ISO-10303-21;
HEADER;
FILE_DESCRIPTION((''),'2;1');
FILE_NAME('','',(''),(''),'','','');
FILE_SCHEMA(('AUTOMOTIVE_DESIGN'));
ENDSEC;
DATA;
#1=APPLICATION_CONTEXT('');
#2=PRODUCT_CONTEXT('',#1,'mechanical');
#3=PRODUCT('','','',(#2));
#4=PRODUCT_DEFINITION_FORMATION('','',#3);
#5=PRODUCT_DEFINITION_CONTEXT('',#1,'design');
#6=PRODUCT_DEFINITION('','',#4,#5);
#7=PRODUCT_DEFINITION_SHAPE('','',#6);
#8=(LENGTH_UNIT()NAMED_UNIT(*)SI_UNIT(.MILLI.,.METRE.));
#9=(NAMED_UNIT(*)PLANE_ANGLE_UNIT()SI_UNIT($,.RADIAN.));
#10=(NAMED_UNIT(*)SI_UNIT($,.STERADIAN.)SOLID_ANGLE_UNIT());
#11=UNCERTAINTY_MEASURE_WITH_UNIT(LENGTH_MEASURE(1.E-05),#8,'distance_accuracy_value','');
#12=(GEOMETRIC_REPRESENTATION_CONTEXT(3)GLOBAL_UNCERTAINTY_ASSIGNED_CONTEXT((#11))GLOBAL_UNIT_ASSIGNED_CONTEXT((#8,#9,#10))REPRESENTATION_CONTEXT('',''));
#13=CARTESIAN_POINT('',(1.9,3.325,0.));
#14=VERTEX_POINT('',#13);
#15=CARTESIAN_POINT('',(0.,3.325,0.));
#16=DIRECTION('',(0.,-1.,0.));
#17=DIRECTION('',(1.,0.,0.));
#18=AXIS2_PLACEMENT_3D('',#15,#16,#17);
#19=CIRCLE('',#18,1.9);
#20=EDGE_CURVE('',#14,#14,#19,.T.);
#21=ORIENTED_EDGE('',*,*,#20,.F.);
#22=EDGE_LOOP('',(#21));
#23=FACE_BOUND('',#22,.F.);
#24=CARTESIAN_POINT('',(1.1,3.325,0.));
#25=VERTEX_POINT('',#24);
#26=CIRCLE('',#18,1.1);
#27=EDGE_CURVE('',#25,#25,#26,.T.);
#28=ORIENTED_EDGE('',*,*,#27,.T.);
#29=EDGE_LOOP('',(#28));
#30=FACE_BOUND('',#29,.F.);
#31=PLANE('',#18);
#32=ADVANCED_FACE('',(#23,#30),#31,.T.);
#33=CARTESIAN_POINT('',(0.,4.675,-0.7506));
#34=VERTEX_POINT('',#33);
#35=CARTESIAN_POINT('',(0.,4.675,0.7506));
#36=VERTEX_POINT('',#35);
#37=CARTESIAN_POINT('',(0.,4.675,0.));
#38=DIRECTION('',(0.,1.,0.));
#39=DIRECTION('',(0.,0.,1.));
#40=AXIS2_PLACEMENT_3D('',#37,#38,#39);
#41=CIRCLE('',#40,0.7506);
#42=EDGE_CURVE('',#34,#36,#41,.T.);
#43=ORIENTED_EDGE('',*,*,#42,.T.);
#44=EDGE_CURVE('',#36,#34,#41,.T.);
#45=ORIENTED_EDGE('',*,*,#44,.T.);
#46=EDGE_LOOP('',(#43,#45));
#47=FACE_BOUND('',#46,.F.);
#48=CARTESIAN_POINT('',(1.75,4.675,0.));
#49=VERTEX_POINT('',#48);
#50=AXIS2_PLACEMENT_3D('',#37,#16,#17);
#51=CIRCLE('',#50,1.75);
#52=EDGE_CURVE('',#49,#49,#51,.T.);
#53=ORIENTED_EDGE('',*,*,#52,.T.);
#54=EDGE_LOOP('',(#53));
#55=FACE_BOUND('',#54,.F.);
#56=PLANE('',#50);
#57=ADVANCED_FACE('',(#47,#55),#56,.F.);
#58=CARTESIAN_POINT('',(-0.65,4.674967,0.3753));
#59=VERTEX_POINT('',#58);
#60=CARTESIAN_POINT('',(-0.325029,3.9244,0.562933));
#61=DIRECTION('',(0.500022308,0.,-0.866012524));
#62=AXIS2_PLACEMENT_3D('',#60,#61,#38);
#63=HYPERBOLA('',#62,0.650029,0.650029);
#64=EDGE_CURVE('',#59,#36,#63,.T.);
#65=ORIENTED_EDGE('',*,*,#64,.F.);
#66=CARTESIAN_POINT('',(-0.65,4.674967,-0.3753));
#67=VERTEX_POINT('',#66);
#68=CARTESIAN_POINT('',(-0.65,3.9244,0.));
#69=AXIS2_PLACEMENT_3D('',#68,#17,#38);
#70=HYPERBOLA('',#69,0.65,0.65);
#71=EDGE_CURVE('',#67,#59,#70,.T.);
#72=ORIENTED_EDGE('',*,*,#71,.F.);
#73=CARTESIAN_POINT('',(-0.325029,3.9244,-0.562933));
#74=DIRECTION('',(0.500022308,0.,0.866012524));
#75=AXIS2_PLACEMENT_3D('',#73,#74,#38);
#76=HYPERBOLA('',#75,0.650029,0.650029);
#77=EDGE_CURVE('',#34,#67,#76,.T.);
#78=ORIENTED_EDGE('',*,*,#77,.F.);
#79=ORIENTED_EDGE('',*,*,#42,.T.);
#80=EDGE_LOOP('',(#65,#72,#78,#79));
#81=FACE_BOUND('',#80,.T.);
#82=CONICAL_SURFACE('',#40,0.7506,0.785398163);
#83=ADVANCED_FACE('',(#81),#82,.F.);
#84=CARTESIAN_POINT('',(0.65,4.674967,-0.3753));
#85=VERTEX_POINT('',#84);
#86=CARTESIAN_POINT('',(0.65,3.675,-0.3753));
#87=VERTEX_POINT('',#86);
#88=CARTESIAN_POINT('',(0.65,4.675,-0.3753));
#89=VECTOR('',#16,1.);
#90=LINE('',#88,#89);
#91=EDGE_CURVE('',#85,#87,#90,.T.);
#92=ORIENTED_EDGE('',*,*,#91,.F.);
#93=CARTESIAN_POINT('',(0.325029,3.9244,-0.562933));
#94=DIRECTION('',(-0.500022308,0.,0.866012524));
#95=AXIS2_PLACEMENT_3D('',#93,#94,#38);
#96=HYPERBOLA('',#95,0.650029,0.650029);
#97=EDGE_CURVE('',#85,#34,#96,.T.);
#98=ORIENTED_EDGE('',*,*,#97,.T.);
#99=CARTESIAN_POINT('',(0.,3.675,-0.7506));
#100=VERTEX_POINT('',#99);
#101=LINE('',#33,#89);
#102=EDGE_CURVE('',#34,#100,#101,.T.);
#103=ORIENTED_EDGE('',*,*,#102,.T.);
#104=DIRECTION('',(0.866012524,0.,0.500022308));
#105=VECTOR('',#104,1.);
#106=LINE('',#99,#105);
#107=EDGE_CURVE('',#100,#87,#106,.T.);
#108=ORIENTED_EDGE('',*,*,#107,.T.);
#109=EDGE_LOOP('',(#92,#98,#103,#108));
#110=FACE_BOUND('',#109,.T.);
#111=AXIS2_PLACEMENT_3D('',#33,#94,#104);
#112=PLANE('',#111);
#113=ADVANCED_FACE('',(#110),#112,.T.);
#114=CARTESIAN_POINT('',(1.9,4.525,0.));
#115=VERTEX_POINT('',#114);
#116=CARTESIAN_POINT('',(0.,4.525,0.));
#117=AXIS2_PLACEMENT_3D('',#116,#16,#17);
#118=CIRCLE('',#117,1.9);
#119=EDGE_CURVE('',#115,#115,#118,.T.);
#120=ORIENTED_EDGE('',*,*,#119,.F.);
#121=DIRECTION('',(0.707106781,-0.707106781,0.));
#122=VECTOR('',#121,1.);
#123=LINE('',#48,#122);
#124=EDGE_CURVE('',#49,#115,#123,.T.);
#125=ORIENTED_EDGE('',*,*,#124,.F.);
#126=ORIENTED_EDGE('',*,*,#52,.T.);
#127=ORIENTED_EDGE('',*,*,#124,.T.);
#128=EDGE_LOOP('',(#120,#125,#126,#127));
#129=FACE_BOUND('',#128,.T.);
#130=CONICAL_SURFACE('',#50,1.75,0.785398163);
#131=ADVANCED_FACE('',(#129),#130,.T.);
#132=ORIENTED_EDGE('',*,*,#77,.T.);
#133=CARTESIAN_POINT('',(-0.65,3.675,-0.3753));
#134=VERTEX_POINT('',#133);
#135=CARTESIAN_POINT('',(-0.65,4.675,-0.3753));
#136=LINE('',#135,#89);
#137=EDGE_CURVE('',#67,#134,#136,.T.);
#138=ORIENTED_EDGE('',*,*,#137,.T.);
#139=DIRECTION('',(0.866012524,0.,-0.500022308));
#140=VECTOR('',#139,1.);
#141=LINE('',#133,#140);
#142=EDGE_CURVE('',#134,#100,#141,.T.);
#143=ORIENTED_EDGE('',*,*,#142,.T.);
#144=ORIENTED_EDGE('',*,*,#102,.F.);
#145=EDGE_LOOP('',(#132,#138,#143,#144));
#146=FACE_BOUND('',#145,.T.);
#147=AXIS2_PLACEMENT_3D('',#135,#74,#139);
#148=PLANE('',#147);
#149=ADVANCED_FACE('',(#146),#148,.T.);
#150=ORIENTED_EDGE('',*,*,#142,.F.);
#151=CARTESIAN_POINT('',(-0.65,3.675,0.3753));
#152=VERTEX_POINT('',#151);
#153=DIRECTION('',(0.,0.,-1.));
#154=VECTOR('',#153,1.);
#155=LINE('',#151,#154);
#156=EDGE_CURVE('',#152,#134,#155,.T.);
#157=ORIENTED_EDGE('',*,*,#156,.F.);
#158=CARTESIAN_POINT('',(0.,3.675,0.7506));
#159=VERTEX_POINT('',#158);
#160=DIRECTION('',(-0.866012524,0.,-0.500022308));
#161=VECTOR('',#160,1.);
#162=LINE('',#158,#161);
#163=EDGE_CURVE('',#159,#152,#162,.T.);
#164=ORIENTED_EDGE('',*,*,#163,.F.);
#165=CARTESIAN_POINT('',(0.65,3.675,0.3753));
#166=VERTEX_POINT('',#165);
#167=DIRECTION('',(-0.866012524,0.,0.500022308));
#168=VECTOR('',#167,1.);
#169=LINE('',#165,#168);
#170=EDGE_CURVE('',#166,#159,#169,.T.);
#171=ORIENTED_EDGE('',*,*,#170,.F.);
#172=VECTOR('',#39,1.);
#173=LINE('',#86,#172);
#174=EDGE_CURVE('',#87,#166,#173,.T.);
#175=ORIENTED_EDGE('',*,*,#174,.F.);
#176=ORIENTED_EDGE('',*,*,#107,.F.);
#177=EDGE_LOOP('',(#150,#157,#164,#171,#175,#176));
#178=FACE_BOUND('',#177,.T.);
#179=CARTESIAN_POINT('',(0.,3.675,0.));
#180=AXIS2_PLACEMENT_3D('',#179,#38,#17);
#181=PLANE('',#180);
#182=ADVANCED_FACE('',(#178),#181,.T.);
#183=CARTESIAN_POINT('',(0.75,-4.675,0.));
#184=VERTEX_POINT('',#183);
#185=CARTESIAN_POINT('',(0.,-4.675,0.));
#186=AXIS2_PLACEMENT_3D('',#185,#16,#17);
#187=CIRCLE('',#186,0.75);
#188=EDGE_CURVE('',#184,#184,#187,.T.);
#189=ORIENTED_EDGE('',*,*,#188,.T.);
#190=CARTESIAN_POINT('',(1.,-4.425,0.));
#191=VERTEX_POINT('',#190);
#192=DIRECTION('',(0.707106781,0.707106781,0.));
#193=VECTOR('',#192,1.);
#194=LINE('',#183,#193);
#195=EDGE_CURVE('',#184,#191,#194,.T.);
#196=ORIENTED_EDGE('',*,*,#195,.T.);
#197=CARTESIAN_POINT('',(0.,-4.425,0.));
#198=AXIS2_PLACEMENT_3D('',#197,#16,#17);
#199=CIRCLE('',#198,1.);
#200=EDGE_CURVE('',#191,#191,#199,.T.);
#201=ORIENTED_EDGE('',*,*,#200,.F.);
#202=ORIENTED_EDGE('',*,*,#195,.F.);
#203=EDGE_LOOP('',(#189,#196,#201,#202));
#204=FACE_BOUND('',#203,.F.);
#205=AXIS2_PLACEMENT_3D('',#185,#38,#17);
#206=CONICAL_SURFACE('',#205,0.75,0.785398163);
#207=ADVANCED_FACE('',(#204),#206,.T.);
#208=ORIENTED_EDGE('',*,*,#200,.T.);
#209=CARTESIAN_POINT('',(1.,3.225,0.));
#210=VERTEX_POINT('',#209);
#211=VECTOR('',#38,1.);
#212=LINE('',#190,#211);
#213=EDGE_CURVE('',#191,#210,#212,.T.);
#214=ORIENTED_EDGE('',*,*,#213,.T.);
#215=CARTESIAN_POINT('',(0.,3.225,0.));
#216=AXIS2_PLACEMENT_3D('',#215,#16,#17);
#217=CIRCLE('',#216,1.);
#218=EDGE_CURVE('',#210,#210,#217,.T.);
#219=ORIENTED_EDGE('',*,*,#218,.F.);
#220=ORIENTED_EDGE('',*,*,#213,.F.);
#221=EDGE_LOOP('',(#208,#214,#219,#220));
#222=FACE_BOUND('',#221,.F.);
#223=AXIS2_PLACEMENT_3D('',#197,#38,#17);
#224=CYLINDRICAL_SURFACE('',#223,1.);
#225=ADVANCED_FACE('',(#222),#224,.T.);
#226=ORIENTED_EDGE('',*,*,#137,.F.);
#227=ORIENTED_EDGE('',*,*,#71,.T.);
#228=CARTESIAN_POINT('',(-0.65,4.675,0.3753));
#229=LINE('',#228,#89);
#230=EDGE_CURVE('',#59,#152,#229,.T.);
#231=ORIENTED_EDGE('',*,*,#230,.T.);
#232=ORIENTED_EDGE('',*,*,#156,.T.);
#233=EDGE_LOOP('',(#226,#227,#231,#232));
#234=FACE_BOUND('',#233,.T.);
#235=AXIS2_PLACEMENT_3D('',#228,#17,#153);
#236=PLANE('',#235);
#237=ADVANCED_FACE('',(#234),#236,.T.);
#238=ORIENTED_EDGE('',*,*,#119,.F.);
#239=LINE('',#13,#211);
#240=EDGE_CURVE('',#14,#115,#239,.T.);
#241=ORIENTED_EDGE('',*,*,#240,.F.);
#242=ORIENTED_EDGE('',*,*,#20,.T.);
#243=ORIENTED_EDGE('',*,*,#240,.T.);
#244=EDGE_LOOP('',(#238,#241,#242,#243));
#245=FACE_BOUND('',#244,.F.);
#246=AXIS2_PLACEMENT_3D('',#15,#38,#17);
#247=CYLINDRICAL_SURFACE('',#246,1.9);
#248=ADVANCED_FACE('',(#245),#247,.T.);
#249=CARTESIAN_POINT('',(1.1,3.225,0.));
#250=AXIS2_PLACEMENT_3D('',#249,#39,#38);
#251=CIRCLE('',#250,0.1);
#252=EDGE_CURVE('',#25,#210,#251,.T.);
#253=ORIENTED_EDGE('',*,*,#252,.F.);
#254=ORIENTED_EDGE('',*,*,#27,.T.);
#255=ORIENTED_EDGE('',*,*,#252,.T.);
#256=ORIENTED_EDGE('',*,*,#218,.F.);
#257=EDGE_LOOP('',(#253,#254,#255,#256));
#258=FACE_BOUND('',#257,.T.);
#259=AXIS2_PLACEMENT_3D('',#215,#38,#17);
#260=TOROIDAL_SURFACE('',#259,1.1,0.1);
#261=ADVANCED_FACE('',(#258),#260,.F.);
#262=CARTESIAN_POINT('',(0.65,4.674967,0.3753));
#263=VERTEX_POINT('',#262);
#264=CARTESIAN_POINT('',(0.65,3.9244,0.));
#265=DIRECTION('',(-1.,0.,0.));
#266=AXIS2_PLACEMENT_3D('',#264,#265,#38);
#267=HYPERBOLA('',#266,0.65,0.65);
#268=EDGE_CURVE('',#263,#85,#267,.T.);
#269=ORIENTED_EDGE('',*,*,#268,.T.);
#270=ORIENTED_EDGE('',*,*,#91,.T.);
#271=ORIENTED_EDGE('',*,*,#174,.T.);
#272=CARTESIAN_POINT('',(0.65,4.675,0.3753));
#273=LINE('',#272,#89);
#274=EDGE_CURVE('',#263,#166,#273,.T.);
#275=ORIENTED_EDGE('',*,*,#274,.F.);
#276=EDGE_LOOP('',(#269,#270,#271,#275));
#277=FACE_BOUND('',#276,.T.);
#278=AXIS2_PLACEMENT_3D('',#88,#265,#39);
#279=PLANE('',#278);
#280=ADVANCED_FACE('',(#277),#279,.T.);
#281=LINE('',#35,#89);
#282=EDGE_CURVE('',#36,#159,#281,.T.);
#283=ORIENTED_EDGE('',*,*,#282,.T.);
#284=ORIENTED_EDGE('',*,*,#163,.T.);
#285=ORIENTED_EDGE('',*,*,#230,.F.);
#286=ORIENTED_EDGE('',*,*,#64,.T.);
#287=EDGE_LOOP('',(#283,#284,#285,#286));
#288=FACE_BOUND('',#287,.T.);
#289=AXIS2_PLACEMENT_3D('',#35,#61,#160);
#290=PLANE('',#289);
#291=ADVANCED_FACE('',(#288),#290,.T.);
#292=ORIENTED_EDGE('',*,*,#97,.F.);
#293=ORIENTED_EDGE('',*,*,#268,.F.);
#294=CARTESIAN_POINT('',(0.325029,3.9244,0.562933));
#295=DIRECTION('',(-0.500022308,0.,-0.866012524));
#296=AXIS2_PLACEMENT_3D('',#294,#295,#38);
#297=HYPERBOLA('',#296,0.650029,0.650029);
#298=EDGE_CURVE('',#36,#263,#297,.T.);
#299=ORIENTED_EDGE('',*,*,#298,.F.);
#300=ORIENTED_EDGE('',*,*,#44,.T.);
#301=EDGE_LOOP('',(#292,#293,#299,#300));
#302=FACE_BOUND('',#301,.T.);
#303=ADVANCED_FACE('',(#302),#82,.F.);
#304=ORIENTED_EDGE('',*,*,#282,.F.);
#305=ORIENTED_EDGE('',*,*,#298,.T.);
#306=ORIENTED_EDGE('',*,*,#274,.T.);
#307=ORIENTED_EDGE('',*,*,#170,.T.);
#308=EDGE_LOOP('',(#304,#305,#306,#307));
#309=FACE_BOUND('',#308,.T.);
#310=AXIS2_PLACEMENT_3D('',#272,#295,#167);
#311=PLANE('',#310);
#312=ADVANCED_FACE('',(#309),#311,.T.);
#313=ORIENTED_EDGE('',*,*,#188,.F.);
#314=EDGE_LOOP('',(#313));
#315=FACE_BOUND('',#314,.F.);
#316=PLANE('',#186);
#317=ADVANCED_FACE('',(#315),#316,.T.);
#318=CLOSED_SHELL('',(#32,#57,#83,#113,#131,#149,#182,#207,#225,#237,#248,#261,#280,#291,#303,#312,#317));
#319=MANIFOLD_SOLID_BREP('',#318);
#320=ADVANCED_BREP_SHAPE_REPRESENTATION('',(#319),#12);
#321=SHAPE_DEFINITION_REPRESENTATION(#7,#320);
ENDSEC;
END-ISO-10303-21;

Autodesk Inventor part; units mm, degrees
ref_plane "YZ Plane" through (0, 0, 0) normal (1, 0, 0) x (0, 1, 0)
ref_plane "XZ Plane" through (0, 0, 0) normal (0, 1, 0) x (-1, 0, 0)
ref_plane "XY Plane" through (0, 0, 0) normal (0, 0, 1) x (1, 0, 0)
sketch "Sketch1" plane through (0, 0, 0) normal (0, 0, 1) x (1, 0, 0)
  line L0 (0, 4.675) -> (0, -4.675)
  line L1 (0, -4.675) -> (0.75, -4.675)
  line L2 (0.75, -4.675) -> (1, -4.425)
  line L3 (1, -4.425) -> (1, 3.225)
  line L4 (1.1, 3.325) -> (1.9, 3.325)
  line L5 (1.9, 3.325) -> (1.9, 4.525)
  line L6 (1.75, 4.675) -> (0, 4.675)
  arc A0 (1.1, 3.325) -> (1, 3.225) centre (1.1, 3.225) ccw
  line L7 (1.75, 4.675) -> (1.9, 4.525)
  point P0 (0, 0)
  point P1 (1.9, 4.675)
  point P2 (0, 0)
  dimension "d0" = 3.8
  dimension "d1" = 1.35
  dimension "d3" = 2
  dimension "d4" = 2.2
  dimension "d5" = 135
  dimension "d6" = 0.25
  dimension "d7" = 8
  dimension "d18" = 0.15
  dimension "d22" = 0.15
revolve "Revolution1" add sketch "Sketch1" angle 360 about axis through (0, 4.675, 0) along (0, -1, 0)
sketch "Sketch2" plane through (0, 4.675, 0) normal (0, 1, 0) x (1, 0, 0)
  line L0 (0, -0.7506) -> (-0.65, -0.3753)
  line L1 (-0.65, -0.3753) -> (-0.65, 0.3753)
  line L2 (-0.65, 0.3753) -> (0, 0.7506)
  line L3 (0, 0.7506) -> (0.65, 0.3753)
  line L4 (0.65, 0.3753) -> (0.65, -0.3753)
  line L5 (0.65, -0.3753) -> (0, -0.7506)
  point P0 (0, 0)
  point P1 (0, 0)
  dimension "d11" = 1.3
extrude "Extrusion1" cut sketch "Sketch2" against normal blind 1
thread "Thread1" size "M2x0.4" class "6g" standard "ANSI Metric M Profile" full length
sketch "Sketch3" plane through (0, 0, 0) normal (1, 0, 0) x (0, 1, 0)
  line L0 (4.675, 0.7506) -> (4.675, 0.3753) projected
  line L1 (4.675, 0.7506) -> (4.175, 0.2506)
  line L2 (4.175, 0.2506) -> (4.675, 0.2506)
  line L3 (4.675, 0.2506) -> (4.675, 0.7506)
  line L4 (-0.7, 0) -> (4.2, 0) projected
  point P0 (0, 0)
  dimension "d16" = 0.5
revolve "Revolution2" cut sketch "Sketch3" angle 360 about axis through (0, -10, 0) along (0, 1, 0)
equation "\"d22\" = d18"
properties part number "48-0280" material "Stainless Steel"
